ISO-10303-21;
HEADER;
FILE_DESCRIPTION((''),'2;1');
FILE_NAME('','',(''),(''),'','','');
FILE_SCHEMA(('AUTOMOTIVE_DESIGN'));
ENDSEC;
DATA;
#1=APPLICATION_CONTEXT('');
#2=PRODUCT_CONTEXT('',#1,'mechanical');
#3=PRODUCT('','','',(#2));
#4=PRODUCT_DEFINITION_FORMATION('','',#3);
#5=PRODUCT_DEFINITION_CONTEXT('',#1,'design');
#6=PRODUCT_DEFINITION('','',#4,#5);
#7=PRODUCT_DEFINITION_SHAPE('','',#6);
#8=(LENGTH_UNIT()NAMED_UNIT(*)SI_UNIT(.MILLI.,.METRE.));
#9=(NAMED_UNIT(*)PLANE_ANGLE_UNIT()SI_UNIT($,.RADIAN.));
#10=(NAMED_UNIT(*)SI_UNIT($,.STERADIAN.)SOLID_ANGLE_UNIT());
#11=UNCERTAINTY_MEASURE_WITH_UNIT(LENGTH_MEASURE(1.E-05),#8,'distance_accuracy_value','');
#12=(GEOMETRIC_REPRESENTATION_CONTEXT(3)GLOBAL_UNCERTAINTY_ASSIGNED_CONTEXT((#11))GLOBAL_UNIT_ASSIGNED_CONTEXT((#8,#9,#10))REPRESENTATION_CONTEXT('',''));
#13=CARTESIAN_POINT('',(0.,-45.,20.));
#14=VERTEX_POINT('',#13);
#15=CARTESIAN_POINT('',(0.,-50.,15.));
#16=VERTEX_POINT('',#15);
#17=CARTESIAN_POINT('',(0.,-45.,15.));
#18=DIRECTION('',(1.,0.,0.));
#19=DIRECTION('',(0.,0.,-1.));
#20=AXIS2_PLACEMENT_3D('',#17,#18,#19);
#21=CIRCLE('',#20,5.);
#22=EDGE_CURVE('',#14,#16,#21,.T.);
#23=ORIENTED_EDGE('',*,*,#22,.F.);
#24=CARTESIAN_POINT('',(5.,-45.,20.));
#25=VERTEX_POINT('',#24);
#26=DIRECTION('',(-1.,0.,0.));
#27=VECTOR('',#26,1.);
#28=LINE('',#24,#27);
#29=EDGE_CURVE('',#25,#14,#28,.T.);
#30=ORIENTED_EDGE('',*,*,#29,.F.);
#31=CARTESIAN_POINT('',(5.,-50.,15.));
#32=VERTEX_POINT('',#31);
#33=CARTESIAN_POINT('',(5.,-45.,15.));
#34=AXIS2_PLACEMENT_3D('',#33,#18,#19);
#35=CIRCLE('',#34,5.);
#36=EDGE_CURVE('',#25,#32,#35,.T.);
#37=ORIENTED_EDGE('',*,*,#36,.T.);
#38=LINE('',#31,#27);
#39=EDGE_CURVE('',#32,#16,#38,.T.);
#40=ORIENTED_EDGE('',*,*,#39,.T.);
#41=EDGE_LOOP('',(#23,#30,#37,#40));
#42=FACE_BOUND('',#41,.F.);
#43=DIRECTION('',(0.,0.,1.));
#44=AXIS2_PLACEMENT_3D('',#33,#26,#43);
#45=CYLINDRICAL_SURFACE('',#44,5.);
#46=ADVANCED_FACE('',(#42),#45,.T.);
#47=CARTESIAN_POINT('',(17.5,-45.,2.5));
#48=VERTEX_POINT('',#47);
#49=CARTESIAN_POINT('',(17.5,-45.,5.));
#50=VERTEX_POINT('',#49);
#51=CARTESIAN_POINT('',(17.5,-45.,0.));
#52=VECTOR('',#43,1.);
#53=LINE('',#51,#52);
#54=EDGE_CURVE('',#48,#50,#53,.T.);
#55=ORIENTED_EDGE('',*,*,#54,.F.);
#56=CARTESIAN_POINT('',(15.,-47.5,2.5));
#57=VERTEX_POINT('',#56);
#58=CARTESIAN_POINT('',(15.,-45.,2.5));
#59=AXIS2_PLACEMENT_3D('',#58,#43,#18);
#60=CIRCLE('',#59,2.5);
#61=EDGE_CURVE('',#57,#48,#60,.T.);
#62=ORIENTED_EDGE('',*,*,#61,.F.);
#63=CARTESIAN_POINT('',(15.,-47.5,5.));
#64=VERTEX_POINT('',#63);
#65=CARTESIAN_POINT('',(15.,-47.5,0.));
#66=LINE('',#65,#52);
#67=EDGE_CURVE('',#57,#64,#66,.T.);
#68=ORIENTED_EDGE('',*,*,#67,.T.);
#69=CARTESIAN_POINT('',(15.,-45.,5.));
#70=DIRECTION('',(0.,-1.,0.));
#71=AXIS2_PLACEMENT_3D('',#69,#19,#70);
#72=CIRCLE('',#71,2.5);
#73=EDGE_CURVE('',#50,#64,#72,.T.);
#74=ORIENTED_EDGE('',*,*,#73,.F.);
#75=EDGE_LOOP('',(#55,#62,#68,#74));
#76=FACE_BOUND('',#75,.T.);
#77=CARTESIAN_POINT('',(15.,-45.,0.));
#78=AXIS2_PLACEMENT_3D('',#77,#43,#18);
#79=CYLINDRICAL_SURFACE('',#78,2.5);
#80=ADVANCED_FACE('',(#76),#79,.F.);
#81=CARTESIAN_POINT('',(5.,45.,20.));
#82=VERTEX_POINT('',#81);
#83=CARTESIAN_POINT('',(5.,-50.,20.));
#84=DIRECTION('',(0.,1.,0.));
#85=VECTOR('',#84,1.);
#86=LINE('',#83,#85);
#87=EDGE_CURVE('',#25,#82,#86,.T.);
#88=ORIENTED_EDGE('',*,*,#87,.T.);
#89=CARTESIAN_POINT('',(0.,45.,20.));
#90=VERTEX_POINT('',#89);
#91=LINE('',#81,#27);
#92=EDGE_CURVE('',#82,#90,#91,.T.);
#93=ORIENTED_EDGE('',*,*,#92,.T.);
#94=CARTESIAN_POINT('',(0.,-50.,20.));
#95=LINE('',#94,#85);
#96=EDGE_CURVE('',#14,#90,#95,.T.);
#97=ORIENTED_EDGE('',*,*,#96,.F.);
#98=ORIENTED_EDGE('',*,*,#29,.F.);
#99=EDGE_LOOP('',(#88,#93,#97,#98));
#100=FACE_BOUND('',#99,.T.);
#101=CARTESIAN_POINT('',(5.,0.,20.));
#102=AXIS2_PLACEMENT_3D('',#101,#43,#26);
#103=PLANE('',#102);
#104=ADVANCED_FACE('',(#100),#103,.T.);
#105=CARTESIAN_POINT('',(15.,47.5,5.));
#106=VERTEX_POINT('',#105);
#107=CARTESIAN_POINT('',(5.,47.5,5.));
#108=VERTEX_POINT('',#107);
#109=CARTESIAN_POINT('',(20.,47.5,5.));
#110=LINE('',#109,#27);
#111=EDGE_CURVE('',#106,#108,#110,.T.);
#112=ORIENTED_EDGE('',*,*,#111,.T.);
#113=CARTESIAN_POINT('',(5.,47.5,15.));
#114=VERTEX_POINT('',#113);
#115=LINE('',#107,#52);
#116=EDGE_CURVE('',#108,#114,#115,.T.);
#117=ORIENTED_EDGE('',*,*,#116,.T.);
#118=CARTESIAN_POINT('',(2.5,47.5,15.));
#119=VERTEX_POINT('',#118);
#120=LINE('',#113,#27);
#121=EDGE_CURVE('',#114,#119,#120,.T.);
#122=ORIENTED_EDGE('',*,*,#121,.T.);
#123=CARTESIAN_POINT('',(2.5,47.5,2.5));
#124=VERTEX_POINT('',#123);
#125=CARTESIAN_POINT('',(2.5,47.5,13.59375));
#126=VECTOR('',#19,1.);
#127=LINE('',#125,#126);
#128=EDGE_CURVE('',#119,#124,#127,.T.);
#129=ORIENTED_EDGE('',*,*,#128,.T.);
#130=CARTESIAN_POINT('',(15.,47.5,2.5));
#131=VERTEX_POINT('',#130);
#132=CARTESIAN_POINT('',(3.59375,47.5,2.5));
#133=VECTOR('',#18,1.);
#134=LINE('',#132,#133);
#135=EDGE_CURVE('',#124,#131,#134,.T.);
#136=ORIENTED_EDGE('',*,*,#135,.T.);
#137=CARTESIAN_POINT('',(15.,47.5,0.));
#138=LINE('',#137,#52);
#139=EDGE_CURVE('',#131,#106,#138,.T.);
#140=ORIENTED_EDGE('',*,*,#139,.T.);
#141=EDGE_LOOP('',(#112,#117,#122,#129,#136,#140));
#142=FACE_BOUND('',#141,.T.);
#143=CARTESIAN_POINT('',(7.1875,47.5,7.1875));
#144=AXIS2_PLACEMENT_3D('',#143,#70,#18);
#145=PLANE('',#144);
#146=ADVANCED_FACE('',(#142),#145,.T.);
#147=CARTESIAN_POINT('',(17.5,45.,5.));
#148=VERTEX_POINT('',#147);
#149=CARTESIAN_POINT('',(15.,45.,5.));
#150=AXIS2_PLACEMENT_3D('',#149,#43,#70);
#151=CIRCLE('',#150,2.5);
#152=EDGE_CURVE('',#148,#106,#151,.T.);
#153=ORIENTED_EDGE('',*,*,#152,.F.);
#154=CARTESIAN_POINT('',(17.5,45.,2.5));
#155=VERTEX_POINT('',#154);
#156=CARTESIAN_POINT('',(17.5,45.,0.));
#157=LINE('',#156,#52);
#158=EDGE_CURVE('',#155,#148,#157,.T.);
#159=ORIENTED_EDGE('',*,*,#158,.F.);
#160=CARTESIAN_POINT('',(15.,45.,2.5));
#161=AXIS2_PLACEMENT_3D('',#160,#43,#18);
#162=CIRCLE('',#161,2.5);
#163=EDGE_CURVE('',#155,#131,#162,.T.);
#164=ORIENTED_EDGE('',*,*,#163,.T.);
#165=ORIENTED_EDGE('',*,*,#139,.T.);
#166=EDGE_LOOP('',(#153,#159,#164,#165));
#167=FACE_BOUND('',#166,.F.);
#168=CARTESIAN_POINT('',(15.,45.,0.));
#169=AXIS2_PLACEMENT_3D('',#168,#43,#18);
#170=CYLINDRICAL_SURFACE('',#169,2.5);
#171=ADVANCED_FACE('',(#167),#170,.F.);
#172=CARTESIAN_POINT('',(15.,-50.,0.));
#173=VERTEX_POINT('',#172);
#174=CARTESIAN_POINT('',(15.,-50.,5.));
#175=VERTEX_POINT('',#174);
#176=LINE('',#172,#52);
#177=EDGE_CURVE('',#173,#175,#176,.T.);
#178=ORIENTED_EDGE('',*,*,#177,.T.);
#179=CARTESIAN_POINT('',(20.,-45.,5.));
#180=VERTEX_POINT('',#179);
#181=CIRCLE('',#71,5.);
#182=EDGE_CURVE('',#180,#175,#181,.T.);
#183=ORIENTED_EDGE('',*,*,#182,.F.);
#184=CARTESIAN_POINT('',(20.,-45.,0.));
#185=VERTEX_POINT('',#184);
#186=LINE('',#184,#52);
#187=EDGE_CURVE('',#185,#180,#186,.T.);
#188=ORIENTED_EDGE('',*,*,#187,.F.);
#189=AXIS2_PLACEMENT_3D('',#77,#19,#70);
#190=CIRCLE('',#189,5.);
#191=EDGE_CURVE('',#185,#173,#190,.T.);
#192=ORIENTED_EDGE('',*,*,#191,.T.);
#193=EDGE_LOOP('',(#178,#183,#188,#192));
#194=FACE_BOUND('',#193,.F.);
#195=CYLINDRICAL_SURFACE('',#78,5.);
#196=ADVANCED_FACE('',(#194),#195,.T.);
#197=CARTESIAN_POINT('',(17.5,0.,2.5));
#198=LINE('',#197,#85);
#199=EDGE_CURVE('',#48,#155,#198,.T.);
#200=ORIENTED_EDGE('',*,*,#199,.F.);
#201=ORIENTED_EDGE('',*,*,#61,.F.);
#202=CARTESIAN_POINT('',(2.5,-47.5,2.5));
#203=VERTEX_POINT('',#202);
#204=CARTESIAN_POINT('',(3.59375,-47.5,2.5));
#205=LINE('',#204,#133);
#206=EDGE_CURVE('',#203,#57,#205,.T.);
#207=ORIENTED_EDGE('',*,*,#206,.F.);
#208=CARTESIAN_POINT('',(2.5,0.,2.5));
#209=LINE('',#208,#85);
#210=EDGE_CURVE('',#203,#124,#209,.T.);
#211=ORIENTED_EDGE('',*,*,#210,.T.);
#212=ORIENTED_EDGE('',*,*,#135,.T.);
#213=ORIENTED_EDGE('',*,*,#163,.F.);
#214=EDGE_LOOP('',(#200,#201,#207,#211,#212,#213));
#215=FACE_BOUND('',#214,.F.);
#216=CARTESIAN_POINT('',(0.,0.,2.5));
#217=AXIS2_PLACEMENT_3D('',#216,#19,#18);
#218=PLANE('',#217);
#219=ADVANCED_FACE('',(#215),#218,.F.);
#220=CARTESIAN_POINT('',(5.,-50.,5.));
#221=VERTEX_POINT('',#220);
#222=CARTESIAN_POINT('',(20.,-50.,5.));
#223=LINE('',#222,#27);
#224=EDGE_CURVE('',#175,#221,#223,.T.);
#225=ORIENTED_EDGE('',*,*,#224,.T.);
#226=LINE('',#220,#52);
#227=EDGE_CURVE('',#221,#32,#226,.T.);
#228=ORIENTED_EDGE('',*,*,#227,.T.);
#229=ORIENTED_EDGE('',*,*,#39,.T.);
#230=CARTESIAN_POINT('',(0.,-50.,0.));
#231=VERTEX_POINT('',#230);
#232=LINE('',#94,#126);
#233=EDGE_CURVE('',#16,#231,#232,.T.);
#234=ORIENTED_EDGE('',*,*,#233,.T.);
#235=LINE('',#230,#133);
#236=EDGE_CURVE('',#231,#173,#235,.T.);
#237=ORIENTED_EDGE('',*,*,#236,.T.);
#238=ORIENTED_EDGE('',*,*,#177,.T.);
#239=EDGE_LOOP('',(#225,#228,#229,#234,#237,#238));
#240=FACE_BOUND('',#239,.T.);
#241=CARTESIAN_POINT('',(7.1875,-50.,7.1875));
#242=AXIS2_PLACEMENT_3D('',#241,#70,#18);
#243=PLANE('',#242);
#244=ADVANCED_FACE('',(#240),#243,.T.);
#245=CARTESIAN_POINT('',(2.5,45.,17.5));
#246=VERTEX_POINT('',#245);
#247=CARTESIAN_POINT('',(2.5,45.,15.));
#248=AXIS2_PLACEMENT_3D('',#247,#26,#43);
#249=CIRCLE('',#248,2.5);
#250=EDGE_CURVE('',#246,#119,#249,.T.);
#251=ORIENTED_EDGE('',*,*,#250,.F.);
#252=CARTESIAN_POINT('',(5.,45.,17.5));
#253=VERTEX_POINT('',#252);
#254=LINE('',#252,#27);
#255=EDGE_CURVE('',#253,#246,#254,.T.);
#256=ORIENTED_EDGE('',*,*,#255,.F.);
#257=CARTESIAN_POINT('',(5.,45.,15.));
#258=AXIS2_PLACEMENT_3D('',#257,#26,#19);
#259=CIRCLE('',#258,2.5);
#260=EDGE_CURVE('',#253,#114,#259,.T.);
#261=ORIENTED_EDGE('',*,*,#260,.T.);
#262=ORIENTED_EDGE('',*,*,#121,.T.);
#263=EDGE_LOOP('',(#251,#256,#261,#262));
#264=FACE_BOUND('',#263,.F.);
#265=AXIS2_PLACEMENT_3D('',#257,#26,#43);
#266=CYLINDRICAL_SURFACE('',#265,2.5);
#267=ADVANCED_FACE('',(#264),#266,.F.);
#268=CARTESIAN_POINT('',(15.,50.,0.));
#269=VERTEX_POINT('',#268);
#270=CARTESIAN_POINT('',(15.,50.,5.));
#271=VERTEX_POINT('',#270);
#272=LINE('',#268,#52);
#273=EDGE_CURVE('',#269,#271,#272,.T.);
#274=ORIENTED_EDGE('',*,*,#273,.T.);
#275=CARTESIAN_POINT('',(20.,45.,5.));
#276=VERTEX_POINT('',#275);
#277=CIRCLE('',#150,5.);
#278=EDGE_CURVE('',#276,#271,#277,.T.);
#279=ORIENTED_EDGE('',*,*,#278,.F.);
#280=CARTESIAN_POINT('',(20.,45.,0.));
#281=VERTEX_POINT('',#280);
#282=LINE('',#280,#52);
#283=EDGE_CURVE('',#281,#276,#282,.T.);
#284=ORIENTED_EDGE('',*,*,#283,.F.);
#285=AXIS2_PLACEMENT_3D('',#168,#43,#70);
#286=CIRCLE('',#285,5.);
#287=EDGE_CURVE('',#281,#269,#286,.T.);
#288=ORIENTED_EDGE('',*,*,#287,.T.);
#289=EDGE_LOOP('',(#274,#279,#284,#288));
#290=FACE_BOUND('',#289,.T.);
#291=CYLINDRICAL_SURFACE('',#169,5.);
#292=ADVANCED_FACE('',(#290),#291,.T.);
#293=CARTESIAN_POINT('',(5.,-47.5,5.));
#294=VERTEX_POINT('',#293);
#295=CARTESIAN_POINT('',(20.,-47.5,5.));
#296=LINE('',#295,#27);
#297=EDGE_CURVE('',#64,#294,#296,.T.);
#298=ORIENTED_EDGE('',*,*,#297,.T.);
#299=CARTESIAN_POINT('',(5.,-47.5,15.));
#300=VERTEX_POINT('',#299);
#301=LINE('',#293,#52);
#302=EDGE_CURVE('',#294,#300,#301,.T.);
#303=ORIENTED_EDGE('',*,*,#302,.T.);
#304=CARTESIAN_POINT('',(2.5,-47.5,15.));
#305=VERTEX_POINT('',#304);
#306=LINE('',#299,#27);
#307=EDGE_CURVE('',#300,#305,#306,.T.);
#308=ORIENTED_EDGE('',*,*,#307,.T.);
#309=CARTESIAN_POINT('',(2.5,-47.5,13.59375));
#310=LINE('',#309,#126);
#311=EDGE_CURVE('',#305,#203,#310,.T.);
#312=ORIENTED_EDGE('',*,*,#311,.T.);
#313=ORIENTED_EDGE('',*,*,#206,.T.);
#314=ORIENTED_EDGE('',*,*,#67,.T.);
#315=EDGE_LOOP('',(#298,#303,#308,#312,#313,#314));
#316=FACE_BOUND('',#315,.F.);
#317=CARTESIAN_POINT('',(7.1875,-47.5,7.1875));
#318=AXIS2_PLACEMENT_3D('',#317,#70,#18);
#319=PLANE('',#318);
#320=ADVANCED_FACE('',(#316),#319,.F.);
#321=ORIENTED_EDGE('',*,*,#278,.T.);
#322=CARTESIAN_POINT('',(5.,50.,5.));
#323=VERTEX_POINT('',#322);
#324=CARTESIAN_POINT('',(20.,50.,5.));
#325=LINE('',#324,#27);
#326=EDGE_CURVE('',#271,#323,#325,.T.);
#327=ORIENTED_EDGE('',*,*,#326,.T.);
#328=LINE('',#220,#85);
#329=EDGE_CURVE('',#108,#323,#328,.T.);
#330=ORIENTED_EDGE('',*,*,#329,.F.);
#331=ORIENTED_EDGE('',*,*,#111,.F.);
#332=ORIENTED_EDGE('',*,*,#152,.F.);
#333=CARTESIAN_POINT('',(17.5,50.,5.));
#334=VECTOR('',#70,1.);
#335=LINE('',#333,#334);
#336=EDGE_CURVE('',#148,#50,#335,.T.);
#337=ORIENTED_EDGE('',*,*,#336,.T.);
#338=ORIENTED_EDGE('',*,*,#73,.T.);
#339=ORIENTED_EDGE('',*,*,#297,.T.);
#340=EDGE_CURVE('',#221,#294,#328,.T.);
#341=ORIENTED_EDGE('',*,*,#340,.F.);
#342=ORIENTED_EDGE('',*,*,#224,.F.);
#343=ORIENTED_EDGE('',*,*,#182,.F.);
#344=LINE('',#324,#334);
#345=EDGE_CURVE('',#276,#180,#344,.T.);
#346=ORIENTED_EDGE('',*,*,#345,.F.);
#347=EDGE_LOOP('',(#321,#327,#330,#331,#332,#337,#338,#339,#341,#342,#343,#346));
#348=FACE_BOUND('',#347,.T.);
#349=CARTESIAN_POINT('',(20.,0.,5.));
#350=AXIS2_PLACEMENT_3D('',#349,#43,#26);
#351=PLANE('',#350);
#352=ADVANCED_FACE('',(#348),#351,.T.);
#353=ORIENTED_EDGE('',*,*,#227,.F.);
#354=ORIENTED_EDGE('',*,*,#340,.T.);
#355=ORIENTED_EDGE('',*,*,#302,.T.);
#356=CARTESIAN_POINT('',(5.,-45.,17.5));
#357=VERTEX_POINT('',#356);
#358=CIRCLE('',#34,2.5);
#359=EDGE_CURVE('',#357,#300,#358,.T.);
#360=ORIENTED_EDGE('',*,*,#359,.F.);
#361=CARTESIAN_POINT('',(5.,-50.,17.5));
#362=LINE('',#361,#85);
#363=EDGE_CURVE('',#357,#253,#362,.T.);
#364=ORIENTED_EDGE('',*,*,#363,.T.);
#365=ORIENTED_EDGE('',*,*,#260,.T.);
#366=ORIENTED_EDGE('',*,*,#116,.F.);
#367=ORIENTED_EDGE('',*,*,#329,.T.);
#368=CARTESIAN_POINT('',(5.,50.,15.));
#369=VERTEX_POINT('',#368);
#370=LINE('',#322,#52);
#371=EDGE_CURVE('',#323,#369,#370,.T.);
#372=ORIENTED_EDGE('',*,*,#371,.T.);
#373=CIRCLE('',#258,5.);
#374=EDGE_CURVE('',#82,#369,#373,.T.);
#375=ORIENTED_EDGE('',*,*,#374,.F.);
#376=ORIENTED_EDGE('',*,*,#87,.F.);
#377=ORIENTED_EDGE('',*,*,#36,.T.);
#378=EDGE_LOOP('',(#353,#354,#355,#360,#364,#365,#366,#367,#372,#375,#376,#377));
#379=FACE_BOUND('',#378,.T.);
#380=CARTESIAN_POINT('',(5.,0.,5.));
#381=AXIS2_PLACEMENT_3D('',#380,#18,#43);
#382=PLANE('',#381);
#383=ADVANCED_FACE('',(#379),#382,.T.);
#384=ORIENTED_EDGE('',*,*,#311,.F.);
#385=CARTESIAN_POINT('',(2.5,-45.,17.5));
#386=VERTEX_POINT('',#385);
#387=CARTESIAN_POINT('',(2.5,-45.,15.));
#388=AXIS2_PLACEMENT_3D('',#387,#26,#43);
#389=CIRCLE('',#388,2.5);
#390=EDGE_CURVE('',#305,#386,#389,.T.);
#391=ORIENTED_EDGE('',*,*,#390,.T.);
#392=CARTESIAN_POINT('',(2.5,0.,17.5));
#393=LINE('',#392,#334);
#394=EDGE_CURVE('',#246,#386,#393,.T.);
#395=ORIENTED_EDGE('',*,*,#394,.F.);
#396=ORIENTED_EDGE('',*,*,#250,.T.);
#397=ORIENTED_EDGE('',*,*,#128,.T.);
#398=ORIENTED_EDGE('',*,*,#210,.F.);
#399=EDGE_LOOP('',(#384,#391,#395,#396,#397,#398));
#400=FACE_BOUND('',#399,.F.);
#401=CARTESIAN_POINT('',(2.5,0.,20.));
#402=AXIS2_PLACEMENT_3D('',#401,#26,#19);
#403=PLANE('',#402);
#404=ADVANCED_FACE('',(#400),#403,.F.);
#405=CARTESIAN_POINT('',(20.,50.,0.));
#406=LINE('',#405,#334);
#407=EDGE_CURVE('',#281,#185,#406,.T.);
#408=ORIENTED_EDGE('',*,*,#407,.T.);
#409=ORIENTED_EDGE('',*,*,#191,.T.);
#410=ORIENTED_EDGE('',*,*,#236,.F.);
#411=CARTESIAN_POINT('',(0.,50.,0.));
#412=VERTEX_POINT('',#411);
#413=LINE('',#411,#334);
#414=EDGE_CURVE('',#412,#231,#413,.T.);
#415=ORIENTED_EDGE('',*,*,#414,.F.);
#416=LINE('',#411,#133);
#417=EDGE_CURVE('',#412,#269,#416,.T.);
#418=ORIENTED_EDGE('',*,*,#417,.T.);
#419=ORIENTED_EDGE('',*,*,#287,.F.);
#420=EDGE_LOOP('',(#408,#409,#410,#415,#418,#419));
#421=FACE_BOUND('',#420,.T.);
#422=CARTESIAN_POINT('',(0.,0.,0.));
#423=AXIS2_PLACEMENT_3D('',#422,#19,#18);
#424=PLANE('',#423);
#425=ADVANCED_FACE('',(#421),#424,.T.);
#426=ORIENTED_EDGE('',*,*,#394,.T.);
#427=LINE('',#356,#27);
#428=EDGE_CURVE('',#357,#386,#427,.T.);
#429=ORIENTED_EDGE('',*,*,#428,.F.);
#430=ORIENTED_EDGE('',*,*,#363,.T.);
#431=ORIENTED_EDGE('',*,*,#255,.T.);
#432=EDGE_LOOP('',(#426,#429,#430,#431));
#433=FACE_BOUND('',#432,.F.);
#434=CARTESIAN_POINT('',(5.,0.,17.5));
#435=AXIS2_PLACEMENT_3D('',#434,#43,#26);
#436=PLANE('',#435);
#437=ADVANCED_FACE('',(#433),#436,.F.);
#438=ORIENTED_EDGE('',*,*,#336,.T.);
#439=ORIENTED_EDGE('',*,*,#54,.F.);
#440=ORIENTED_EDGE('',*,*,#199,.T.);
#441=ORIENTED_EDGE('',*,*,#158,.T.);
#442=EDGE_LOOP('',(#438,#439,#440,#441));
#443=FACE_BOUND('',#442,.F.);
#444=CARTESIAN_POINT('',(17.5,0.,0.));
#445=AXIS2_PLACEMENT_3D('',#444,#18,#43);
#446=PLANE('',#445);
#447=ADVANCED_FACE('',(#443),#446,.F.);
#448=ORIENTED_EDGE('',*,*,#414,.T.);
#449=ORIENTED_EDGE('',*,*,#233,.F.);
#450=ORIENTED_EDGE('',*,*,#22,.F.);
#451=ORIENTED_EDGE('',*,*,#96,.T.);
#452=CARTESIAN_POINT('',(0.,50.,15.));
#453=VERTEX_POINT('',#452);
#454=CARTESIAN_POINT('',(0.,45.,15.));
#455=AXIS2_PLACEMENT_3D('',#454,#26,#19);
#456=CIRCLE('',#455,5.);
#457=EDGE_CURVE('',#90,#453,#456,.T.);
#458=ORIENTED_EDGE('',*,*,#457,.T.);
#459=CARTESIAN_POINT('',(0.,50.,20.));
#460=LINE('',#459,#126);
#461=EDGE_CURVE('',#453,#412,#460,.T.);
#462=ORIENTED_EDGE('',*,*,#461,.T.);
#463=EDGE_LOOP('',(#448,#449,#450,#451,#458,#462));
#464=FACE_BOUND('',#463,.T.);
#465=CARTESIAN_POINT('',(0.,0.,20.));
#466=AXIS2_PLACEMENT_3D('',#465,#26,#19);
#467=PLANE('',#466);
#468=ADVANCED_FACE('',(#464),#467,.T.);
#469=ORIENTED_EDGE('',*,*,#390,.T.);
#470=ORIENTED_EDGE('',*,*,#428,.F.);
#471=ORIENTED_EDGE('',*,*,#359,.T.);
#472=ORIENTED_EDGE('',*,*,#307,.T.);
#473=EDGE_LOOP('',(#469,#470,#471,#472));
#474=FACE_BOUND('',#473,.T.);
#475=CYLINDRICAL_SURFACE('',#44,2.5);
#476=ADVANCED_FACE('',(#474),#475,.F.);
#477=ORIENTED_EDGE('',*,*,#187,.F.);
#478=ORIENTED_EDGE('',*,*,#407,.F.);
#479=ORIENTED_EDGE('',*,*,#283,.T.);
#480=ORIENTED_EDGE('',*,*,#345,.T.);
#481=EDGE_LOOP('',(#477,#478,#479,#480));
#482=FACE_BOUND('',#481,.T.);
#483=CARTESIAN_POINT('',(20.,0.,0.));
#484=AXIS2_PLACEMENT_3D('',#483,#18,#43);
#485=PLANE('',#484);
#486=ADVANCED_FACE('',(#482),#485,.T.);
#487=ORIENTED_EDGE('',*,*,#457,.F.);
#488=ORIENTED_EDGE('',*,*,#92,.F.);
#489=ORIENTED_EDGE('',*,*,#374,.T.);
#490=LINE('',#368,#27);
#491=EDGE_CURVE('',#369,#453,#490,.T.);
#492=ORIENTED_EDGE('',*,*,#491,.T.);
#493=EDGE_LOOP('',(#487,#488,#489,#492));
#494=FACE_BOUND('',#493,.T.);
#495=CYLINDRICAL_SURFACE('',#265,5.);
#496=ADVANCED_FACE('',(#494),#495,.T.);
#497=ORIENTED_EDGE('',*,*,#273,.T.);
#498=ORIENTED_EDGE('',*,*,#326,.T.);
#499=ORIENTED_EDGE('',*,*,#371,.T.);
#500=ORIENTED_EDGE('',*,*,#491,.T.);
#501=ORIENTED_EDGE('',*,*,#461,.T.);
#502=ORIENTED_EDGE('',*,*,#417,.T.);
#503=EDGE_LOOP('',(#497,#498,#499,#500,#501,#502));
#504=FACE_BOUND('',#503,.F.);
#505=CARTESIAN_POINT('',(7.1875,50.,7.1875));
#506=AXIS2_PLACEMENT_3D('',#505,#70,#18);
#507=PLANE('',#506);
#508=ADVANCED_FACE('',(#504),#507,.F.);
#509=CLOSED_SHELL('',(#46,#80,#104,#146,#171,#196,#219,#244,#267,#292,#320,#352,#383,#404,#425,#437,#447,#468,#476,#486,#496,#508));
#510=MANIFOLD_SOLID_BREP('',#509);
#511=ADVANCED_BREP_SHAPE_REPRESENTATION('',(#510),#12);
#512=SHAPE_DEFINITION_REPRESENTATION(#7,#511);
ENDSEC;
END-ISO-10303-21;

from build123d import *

# Parameters (mm, degrees)
F1_DEPTH = 50
F2_R     = 5
F3_T     = -2.5


with BuildPart() as f1:
    # F0 (on Front) → F1 (new body, symmetric)
    with BuildSketch(Plane.XZ):
        Polygon((0, 20), (0, 0), (20, 0), (20, 5), (5, 5), (5, 20), align=None)
    extrude(amount=F1_DEPTH, both=True)

    # F2
    f2_edges = [f1.edges().sort_by_distance(p)[0] for p in [
        (2.5, -50, 20),
        (2.5, 50, 20),
        (20, -50, 2.5),
        (20, 50, 2.5),
    ]]
    fillet(f2_edges, radius=F2_R)

    # F3
    f3_openings = [f1.faces().sort_by_distance(p)[0] for p in [
        (12.45401, 0, 5),
        (5, 0, 12.45401),
    ]]
    offset(amount=F3_T, openings=f3_openings)


solid = f1.part
